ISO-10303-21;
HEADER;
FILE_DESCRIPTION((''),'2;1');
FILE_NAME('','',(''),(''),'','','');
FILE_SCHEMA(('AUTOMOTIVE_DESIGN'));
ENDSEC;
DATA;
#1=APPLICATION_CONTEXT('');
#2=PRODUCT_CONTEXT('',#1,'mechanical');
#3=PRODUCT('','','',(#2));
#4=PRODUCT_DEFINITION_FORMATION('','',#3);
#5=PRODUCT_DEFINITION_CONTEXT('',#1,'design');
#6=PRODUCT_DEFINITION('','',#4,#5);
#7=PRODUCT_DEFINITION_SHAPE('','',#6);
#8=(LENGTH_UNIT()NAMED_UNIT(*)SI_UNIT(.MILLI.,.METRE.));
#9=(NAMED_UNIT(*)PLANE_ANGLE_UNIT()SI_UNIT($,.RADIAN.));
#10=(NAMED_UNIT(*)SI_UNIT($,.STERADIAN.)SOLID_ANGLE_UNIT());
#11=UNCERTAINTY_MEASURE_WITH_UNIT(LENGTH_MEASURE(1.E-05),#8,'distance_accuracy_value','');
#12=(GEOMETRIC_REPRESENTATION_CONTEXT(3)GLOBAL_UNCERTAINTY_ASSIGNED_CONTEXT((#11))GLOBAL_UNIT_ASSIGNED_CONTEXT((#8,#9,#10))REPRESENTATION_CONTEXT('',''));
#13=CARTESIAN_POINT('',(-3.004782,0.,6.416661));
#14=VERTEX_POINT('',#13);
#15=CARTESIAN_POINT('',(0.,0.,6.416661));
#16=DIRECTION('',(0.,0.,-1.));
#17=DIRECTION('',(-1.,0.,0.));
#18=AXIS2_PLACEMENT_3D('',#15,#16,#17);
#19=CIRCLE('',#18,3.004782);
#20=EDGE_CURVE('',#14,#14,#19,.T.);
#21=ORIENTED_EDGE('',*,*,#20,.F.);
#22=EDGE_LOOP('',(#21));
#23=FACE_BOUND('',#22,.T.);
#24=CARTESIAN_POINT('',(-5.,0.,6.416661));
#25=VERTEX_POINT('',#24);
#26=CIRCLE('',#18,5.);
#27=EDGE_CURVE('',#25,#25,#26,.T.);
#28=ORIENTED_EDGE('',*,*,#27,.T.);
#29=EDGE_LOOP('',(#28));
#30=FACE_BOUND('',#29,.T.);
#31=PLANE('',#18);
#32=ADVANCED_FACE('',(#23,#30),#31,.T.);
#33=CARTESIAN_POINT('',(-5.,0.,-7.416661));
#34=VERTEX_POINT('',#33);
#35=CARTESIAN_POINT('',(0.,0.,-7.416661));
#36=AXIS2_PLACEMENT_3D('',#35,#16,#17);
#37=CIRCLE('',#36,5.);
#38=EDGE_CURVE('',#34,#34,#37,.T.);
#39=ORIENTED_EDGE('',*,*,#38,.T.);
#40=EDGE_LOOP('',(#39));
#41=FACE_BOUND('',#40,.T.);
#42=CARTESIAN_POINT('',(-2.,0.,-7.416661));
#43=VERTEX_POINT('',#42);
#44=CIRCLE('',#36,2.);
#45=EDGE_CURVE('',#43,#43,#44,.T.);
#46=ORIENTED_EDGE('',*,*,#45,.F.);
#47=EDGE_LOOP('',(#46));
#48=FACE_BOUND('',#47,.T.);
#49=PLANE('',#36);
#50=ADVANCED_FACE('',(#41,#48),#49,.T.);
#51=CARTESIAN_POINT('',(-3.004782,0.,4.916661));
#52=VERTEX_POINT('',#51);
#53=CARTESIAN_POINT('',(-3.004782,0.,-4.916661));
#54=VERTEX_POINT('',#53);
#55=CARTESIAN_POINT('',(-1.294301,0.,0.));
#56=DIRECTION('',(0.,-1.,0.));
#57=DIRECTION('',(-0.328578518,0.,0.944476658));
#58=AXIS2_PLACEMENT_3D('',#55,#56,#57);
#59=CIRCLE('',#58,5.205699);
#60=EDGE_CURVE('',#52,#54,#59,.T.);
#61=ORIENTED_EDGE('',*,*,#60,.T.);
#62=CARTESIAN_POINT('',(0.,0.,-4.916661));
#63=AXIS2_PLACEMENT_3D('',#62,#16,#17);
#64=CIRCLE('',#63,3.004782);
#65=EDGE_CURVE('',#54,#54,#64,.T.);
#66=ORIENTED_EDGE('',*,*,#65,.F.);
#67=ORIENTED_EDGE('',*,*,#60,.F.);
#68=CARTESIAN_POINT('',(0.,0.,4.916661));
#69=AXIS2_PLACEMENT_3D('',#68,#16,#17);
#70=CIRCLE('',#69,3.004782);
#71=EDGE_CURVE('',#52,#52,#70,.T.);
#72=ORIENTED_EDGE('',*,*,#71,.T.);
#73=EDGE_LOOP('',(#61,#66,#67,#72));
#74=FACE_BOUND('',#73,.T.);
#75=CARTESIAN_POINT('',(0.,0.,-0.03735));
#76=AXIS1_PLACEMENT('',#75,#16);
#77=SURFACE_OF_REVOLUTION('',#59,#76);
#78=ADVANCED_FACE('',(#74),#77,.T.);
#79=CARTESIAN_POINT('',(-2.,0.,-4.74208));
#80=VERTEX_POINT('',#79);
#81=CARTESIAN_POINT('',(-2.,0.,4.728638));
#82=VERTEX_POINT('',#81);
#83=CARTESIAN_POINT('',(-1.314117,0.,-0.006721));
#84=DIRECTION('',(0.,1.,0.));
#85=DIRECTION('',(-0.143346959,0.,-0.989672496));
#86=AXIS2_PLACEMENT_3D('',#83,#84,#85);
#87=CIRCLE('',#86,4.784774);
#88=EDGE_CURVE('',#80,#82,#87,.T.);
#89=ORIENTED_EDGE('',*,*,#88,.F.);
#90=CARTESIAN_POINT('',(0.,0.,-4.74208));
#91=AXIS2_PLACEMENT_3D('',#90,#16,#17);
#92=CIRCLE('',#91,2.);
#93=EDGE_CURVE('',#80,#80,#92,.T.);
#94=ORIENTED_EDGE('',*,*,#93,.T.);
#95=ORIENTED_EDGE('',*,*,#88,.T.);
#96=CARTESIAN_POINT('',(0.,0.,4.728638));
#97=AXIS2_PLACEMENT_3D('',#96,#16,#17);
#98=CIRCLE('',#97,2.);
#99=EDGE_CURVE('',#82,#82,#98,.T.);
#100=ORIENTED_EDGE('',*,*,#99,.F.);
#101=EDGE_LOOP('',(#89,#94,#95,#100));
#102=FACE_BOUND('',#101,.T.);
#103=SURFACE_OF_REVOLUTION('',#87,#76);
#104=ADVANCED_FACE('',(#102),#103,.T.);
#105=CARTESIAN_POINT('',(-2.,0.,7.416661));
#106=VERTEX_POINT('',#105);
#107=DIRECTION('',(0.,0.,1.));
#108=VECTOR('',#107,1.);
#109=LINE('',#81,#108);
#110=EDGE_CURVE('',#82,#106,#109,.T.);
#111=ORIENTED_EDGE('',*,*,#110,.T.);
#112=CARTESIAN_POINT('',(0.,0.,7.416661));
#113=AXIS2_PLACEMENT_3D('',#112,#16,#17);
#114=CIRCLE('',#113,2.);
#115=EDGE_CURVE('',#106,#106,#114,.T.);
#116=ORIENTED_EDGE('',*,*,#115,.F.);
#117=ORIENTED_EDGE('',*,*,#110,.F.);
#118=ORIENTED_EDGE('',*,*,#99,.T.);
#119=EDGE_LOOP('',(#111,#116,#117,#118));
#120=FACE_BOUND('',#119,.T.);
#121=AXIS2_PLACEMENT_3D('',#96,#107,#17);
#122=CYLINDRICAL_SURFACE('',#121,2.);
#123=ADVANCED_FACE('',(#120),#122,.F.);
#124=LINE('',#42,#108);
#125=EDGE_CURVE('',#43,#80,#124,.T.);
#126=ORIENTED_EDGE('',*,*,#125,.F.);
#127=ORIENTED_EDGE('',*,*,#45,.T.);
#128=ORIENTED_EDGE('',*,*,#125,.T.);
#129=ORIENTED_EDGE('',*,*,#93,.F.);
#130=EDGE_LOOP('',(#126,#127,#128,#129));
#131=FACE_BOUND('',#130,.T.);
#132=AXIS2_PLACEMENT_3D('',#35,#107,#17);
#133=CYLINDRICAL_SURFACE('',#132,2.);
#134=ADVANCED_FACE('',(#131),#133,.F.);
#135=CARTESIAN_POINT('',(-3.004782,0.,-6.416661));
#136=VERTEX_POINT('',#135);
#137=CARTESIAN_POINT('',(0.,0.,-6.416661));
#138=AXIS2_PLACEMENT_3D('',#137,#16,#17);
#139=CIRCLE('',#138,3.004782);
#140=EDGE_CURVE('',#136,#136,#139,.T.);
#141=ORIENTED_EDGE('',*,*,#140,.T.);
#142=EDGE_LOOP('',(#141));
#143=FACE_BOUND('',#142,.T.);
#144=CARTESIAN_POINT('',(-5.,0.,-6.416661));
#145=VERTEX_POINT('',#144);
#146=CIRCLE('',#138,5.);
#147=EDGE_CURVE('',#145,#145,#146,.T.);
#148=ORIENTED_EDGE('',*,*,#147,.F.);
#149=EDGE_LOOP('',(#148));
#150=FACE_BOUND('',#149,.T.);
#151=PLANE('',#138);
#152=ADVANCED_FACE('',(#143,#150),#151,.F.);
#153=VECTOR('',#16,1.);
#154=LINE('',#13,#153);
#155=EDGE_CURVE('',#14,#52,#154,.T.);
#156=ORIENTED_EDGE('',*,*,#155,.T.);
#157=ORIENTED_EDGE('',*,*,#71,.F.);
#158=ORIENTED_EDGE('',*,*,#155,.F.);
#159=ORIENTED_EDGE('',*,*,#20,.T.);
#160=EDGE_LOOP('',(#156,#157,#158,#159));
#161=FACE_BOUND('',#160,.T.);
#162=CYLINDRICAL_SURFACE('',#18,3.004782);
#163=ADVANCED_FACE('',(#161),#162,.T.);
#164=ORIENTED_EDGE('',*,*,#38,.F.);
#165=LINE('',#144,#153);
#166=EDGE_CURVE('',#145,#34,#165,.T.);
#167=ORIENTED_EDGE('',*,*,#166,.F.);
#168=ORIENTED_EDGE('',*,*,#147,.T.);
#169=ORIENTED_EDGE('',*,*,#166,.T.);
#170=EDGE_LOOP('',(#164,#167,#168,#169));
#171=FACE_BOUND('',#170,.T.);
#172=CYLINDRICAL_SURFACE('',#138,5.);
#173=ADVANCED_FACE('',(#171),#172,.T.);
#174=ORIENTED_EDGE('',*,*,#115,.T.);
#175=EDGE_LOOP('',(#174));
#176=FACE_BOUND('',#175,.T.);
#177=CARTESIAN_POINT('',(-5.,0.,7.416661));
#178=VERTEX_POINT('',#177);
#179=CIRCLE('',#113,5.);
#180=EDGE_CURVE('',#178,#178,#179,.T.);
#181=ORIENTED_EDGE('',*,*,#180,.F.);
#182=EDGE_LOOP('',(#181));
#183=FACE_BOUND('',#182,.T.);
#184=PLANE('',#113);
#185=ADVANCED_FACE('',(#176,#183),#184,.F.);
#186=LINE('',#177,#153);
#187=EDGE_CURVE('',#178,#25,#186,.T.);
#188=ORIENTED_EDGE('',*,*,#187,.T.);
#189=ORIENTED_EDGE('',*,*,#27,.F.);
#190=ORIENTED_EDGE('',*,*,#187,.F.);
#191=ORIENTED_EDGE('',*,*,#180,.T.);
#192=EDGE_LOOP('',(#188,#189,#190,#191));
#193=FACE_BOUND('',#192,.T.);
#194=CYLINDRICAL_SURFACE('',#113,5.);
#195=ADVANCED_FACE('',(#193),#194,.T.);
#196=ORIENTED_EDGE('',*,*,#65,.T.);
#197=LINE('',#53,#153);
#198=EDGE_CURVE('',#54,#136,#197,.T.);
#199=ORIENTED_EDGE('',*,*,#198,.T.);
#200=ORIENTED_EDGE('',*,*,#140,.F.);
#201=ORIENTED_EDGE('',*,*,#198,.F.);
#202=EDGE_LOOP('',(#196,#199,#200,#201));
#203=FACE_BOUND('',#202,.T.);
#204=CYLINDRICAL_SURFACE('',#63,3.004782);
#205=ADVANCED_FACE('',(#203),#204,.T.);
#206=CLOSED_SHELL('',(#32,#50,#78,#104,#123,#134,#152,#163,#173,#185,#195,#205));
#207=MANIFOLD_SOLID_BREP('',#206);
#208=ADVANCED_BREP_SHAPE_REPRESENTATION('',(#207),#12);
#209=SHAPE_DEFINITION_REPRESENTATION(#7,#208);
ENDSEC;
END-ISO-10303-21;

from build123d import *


with BuildPart() as f1:
    # F0 (on Front) → F1 (revolve)
    with BuildSketch(Plane.XZ):
        with BuildLine():
            Line((-3.004782, 6.416661), (-3.004782, 4.916661))
            ThreePointArc((-3.004782, 4.916661), (-6.5, 0), (-3.004782, -4.916661))
            Line((-3.004782, -4.916661), (-3.004782, -6.416661))
            Line((-3.004782, -6.416661), (-5, -6.416661))
            Line((-5, -6.416661), (-5, -7.416661))
            Line((-5, -7.416661), (-2, -7.416661))
            Line((-2, -7.416661), (-2, -4.74208))
            ThreePointArc((-2, -4.74208), (-6.098891, -0.006721), (-2, 4.728638))
            Line((-2, 4.728638), (-2, 7.416661))
            Line((-2, 7.416661), (-5, 7.416661))
            Line((-5, 7.416661), (-5, 6.416661))
            Line((-5, 6.416661), (-3.004782, 6.416661))
        make_face()
    revolve(axis=Axis((0, 0, -0.03735), (0, 0, -1)))


solid = f1.part
